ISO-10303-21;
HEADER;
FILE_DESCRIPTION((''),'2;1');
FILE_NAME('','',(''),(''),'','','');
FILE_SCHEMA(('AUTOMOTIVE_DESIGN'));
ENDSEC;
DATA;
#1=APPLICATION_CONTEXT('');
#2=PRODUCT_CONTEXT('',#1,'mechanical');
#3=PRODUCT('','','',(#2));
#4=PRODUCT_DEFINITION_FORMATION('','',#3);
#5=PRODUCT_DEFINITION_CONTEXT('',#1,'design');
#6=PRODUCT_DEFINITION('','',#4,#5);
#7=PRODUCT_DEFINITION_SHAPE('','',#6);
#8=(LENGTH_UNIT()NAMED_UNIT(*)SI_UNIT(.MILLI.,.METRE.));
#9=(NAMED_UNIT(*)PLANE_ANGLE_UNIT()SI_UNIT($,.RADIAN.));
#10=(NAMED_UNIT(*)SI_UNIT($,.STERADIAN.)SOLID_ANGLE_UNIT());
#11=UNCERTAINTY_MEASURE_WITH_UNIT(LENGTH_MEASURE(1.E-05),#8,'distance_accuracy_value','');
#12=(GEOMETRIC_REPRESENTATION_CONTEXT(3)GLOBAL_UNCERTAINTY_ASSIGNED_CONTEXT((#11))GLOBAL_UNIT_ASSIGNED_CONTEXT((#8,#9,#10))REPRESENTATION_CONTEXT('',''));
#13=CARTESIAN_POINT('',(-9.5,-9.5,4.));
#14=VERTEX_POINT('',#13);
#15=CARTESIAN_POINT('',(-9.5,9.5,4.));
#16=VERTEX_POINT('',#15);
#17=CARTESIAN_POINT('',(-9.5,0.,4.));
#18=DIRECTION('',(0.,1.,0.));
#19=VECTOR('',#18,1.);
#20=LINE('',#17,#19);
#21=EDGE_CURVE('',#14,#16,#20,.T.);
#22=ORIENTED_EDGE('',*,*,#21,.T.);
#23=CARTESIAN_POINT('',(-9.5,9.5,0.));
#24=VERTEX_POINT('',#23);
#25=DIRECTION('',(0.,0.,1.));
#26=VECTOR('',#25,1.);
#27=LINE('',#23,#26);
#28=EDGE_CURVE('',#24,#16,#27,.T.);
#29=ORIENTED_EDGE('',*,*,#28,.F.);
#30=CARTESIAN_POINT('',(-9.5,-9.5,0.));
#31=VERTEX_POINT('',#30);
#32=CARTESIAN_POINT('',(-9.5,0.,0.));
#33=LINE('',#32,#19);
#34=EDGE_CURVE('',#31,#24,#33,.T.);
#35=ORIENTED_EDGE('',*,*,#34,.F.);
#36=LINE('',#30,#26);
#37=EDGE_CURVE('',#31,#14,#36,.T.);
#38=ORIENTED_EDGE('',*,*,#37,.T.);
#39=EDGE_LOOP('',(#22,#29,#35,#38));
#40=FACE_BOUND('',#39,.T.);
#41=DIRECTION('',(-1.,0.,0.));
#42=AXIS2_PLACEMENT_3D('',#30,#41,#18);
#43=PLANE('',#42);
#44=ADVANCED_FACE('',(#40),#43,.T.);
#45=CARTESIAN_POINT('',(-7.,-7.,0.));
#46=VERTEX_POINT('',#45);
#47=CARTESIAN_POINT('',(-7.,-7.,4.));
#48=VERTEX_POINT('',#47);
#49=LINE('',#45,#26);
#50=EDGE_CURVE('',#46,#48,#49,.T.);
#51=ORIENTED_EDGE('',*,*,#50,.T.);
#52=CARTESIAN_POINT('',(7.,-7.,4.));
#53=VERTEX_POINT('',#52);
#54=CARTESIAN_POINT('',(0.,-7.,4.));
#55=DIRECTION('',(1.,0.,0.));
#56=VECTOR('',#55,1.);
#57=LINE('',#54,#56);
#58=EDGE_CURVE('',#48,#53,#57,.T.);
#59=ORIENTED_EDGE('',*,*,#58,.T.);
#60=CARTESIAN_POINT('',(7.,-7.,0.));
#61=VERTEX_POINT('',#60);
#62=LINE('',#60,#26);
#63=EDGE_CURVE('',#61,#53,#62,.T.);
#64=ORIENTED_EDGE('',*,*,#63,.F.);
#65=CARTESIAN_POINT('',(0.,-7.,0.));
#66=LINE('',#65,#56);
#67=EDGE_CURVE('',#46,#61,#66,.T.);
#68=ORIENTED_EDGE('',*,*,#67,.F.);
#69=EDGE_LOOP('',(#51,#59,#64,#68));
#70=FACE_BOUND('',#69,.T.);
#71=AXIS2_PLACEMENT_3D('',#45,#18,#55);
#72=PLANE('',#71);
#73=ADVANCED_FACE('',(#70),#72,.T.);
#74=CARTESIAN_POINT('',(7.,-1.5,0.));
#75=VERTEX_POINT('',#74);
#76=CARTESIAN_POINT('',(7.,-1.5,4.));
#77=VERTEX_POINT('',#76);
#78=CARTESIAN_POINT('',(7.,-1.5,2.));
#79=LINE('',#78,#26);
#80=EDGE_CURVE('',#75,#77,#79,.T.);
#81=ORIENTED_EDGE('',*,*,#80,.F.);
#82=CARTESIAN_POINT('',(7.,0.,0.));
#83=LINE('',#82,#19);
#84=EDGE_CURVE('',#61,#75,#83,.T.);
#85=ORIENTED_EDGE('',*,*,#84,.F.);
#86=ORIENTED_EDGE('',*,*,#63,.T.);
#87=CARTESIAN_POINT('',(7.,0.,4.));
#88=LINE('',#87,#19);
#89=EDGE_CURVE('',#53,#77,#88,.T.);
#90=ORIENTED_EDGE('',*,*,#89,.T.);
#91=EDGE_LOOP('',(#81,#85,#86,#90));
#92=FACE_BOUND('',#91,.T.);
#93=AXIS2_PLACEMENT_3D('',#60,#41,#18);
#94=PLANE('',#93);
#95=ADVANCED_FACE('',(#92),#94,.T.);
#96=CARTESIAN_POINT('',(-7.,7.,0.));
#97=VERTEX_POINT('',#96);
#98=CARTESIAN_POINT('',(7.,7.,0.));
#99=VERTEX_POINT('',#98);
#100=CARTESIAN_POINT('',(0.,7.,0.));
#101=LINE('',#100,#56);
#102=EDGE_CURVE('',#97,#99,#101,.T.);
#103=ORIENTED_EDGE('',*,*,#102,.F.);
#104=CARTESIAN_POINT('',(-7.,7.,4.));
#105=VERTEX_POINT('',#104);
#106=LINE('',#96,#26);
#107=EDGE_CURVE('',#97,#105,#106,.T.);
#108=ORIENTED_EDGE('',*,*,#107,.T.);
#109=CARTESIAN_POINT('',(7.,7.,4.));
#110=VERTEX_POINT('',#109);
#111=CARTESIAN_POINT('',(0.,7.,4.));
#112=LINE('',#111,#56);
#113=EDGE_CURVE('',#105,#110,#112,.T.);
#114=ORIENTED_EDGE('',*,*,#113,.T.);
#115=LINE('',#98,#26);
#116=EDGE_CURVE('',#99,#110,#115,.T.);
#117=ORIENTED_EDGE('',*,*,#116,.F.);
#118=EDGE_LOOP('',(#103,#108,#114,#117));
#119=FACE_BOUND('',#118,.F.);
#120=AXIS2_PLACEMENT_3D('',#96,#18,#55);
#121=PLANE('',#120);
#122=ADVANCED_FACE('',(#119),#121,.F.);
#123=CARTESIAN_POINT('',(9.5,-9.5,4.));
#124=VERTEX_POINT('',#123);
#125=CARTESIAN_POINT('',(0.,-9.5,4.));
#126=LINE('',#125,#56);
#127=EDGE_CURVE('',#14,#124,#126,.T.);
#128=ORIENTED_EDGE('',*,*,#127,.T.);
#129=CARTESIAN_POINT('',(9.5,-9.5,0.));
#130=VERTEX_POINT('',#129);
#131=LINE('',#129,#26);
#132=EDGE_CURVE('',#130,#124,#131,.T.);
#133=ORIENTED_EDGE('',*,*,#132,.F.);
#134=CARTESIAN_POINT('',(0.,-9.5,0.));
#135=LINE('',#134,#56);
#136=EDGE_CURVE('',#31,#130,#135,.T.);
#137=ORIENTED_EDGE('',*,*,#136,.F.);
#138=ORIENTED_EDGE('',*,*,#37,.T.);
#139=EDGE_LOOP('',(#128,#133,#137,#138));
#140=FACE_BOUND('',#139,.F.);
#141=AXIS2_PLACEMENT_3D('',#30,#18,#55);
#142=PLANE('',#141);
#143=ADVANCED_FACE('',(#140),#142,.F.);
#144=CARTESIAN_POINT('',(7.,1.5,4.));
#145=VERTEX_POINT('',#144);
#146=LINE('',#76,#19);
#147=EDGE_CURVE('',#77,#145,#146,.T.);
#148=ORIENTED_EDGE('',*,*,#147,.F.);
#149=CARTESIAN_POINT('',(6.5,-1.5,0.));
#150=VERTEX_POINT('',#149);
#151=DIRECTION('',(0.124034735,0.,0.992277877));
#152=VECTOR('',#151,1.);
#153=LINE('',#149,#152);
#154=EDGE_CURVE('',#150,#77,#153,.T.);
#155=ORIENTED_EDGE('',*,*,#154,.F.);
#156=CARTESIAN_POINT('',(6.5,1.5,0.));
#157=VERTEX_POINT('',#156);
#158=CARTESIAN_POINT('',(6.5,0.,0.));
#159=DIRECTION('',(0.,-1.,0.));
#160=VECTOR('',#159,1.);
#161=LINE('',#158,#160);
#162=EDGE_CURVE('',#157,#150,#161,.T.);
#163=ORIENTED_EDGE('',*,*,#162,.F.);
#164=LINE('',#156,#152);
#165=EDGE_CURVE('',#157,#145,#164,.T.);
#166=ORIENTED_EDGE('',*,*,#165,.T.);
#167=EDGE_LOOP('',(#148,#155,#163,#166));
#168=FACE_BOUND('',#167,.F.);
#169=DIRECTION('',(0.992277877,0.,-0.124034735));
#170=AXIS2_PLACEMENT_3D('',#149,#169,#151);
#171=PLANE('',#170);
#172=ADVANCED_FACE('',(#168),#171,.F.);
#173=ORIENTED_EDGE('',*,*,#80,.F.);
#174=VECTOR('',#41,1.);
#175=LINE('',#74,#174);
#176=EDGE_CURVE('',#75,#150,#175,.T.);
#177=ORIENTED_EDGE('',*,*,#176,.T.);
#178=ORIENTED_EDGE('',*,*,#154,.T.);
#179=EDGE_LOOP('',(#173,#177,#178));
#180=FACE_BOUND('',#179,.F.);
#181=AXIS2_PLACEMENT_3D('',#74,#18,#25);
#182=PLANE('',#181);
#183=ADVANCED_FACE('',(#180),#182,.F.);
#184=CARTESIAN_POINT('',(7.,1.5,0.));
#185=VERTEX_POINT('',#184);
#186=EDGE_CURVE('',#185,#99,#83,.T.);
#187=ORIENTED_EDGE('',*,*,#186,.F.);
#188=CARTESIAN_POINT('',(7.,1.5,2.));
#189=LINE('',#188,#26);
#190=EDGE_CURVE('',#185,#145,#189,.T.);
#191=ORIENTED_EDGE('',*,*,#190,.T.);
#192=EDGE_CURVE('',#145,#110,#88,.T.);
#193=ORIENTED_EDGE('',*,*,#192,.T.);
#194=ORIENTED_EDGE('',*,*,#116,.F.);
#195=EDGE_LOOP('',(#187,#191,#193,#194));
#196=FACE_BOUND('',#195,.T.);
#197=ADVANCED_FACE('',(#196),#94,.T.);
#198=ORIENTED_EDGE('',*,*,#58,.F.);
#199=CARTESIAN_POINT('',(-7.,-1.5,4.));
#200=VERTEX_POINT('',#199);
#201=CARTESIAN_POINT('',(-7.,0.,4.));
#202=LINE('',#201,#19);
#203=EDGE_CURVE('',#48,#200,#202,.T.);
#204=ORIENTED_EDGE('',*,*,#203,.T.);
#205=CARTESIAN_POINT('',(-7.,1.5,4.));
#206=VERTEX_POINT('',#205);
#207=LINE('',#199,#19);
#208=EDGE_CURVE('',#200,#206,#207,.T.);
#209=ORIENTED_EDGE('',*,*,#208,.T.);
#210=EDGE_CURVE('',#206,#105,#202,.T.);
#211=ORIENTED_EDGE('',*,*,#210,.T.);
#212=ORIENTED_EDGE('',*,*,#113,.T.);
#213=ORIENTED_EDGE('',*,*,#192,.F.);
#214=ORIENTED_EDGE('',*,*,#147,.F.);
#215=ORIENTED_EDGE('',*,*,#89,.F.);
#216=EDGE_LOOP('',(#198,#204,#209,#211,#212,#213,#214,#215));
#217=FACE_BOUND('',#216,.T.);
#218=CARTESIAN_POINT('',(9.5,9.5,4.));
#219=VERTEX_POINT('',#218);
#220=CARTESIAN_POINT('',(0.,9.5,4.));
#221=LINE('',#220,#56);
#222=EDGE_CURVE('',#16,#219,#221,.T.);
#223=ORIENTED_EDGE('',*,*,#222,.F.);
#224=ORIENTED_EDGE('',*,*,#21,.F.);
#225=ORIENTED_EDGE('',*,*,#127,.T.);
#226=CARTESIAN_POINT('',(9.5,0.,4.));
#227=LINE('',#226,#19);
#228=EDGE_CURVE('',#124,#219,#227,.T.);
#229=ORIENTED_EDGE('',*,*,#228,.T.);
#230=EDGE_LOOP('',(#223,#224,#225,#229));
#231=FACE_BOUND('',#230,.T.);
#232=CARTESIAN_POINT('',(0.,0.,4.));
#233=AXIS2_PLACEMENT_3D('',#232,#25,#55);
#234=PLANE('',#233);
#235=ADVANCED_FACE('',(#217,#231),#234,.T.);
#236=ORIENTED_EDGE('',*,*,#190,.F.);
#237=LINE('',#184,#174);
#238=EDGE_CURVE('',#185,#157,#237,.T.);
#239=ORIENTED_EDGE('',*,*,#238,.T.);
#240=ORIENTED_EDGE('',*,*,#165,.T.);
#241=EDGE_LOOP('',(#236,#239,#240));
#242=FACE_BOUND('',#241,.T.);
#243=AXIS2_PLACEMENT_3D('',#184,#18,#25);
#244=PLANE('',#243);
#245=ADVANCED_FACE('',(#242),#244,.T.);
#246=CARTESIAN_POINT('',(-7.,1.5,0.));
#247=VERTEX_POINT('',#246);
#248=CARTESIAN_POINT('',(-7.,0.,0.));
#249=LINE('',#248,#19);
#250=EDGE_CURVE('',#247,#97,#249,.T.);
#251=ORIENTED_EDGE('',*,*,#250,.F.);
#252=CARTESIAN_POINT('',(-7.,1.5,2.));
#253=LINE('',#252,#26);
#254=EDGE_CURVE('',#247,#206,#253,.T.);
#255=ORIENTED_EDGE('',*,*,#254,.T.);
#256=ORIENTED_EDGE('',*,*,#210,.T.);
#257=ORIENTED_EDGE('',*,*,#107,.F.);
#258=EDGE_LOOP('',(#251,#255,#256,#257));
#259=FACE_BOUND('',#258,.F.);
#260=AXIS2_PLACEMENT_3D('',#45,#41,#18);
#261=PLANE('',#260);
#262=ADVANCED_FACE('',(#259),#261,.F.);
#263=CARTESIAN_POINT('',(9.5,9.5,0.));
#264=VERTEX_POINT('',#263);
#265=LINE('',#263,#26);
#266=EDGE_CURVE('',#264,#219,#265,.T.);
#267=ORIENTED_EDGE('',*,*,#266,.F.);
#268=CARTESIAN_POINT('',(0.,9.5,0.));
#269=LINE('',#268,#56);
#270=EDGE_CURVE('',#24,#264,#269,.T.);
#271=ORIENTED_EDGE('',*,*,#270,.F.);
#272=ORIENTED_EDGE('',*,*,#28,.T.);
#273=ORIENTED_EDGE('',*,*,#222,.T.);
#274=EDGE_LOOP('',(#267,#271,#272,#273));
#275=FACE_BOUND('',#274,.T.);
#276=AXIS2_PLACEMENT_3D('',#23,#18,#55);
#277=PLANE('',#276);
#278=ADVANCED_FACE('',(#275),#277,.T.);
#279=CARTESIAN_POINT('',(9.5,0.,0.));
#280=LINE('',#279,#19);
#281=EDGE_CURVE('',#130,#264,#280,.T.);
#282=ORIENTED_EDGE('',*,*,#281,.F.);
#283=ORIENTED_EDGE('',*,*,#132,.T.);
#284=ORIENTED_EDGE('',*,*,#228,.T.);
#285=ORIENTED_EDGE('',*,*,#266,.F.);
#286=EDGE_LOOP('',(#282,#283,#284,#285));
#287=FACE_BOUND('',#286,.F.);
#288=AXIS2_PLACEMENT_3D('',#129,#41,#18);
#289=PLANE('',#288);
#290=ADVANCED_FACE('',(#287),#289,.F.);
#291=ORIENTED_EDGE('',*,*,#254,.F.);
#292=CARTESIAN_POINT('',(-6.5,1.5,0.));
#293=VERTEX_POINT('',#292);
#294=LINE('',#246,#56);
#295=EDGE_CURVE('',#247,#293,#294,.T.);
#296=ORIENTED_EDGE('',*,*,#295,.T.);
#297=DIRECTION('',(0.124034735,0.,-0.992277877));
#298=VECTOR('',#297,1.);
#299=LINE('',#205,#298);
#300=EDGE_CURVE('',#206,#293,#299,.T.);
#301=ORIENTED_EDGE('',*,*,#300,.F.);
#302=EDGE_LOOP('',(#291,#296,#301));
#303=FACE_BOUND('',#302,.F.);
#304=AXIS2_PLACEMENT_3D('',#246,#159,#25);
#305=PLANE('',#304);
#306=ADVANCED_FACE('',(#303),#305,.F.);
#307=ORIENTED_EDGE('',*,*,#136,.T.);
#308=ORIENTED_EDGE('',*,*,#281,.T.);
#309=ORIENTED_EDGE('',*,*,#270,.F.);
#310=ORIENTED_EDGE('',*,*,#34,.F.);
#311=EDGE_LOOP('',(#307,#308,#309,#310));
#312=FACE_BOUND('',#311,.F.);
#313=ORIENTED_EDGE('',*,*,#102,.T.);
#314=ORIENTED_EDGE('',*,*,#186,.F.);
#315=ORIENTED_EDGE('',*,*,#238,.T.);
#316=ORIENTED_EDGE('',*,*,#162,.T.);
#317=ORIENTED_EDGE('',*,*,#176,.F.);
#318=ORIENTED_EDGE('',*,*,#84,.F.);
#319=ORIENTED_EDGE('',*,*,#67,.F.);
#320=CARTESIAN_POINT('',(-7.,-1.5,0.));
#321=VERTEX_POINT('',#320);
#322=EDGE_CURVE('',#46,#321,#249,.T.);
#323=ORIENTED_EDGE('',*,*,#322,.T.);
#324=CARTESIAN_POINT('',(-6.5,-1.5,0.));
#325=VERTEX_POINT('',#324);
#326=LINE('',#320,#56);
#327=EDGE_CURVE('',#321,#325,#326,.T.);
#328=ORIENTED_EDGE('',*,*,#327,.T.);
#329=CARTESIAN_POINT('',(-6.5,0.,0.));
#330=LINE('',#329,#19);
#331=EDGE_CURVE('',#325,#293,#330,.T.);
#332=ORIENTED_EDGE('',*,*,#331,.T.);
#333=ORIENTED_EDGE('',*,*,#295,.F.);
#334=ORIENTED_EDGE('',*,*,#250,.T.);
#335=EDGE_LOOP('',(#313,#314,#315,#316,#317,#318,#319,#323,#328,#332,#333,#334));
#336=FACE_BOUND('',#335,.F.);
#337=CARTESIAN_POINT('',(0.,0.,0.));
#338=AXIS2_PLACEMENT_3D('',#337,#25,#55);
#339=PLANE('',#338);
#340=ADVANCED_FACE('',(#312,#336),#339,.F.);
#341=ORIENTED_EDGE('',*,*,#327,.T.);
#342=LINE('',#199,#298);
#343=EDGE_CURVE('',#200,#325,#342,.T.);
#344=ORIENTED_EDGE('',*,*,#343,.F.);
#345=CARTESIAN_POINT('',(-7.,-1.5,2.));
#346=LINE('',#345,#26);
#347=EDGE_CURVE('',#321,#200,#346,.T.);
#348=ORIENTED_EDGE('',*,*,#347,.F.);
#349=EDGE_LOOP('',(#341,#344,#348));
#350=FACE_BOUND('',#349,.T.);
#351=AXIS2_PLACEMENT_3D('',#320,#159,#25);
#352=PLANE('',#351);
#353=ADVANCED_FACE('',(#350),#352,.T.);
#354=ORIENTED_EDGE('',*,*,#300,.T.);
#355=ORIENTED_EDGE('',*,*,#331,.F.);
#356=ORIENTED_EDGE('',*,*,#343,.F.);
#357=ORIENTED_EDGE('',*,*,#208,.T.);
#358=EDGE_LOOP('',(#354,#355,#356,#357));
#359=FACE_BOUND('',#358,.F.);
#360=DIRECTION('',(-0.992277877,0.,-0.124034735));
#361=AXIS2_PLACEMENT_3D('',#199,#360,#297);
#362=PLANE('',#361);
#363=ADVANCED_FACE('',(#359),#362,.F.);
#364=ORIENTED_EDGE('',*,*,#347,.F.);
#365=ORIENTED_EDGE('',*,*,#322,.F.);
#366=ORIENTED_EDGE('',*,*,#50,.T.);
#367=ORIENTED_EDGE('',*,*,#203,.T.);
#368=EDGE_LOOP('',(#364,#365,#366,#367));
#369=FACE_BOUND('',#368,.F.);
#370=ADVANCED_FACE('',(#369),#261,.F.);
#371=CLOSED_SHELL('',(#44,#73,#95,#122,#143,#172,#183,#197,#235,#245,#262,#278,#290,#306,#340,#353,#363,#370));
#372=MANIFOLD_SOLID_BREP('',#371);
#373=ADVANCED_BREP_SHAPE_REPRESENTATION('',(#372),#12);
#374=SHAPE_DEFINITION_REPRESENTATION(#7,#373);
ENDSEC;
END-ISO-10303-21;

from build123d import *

# Parameters (mm, degrees)
F0_W     = 19
F0_H     = 19
F0_W_2   = 14
F0_H_2   = 14
F1_DEPTH = 4
F2_W     = 3
F2_H     = 4
F3_DEPTH = 0.5
F5_DEPTH = 3
F6_W     = 3
F6_H     = 4
F7_DEPTH = 0.5
F9_DEPTH = 3


with BuildPart() as f1:
    # F0 (on Top) → F1 (new body)
    with BuildSketch(Plane.XY):
        Rectangle(F0_W, F0_H)
        Rectangle(F0_W_2, F0_H_2, mode=Mode.SUBTRACT)
    extrude(amount=F1_DEPTH)

    # F2 (on face) → F3 (join)
    with BuildSketch(Plane.YZ.offset(-7)):
        with Locations((0, 2)):
            Rectangle(F2_W, F2_H)
    extrude(amount=F3_DEPTH)

    # F4 (on face) → F5 (cut, through all)
    with BuildSketch(Plane.XZ.offset(1.5)):
        Polygon((-6.5, 4), (-7, 4), (-6.5, 0), align=None)
    extrude(amount=-F5_DEPTH, mode=Mode.SUBTRACT)

    # F6 (on face) → F7 (join)
    with BuildSketch(Plane(origin=(7, 0, 0), x_dir=(0, -1, 0), z_dir=(-1, 0, 0))):
        with Locations((0, 2)):
            Rectangle(F6_W, F6_H)
    extrude(amount=F7_DEPTH)

    # F8 (on face) → F9 (cut, through all)
    with BuildSketch(Plane.XZ.offset(1.5)):
        Polygon((6.5, 4), (6.5, 0), (7, 4), align=None)
    extrude(amount=-F9_DEPTH, mode=Mode.SUBTRACT)


solid = f1.part
